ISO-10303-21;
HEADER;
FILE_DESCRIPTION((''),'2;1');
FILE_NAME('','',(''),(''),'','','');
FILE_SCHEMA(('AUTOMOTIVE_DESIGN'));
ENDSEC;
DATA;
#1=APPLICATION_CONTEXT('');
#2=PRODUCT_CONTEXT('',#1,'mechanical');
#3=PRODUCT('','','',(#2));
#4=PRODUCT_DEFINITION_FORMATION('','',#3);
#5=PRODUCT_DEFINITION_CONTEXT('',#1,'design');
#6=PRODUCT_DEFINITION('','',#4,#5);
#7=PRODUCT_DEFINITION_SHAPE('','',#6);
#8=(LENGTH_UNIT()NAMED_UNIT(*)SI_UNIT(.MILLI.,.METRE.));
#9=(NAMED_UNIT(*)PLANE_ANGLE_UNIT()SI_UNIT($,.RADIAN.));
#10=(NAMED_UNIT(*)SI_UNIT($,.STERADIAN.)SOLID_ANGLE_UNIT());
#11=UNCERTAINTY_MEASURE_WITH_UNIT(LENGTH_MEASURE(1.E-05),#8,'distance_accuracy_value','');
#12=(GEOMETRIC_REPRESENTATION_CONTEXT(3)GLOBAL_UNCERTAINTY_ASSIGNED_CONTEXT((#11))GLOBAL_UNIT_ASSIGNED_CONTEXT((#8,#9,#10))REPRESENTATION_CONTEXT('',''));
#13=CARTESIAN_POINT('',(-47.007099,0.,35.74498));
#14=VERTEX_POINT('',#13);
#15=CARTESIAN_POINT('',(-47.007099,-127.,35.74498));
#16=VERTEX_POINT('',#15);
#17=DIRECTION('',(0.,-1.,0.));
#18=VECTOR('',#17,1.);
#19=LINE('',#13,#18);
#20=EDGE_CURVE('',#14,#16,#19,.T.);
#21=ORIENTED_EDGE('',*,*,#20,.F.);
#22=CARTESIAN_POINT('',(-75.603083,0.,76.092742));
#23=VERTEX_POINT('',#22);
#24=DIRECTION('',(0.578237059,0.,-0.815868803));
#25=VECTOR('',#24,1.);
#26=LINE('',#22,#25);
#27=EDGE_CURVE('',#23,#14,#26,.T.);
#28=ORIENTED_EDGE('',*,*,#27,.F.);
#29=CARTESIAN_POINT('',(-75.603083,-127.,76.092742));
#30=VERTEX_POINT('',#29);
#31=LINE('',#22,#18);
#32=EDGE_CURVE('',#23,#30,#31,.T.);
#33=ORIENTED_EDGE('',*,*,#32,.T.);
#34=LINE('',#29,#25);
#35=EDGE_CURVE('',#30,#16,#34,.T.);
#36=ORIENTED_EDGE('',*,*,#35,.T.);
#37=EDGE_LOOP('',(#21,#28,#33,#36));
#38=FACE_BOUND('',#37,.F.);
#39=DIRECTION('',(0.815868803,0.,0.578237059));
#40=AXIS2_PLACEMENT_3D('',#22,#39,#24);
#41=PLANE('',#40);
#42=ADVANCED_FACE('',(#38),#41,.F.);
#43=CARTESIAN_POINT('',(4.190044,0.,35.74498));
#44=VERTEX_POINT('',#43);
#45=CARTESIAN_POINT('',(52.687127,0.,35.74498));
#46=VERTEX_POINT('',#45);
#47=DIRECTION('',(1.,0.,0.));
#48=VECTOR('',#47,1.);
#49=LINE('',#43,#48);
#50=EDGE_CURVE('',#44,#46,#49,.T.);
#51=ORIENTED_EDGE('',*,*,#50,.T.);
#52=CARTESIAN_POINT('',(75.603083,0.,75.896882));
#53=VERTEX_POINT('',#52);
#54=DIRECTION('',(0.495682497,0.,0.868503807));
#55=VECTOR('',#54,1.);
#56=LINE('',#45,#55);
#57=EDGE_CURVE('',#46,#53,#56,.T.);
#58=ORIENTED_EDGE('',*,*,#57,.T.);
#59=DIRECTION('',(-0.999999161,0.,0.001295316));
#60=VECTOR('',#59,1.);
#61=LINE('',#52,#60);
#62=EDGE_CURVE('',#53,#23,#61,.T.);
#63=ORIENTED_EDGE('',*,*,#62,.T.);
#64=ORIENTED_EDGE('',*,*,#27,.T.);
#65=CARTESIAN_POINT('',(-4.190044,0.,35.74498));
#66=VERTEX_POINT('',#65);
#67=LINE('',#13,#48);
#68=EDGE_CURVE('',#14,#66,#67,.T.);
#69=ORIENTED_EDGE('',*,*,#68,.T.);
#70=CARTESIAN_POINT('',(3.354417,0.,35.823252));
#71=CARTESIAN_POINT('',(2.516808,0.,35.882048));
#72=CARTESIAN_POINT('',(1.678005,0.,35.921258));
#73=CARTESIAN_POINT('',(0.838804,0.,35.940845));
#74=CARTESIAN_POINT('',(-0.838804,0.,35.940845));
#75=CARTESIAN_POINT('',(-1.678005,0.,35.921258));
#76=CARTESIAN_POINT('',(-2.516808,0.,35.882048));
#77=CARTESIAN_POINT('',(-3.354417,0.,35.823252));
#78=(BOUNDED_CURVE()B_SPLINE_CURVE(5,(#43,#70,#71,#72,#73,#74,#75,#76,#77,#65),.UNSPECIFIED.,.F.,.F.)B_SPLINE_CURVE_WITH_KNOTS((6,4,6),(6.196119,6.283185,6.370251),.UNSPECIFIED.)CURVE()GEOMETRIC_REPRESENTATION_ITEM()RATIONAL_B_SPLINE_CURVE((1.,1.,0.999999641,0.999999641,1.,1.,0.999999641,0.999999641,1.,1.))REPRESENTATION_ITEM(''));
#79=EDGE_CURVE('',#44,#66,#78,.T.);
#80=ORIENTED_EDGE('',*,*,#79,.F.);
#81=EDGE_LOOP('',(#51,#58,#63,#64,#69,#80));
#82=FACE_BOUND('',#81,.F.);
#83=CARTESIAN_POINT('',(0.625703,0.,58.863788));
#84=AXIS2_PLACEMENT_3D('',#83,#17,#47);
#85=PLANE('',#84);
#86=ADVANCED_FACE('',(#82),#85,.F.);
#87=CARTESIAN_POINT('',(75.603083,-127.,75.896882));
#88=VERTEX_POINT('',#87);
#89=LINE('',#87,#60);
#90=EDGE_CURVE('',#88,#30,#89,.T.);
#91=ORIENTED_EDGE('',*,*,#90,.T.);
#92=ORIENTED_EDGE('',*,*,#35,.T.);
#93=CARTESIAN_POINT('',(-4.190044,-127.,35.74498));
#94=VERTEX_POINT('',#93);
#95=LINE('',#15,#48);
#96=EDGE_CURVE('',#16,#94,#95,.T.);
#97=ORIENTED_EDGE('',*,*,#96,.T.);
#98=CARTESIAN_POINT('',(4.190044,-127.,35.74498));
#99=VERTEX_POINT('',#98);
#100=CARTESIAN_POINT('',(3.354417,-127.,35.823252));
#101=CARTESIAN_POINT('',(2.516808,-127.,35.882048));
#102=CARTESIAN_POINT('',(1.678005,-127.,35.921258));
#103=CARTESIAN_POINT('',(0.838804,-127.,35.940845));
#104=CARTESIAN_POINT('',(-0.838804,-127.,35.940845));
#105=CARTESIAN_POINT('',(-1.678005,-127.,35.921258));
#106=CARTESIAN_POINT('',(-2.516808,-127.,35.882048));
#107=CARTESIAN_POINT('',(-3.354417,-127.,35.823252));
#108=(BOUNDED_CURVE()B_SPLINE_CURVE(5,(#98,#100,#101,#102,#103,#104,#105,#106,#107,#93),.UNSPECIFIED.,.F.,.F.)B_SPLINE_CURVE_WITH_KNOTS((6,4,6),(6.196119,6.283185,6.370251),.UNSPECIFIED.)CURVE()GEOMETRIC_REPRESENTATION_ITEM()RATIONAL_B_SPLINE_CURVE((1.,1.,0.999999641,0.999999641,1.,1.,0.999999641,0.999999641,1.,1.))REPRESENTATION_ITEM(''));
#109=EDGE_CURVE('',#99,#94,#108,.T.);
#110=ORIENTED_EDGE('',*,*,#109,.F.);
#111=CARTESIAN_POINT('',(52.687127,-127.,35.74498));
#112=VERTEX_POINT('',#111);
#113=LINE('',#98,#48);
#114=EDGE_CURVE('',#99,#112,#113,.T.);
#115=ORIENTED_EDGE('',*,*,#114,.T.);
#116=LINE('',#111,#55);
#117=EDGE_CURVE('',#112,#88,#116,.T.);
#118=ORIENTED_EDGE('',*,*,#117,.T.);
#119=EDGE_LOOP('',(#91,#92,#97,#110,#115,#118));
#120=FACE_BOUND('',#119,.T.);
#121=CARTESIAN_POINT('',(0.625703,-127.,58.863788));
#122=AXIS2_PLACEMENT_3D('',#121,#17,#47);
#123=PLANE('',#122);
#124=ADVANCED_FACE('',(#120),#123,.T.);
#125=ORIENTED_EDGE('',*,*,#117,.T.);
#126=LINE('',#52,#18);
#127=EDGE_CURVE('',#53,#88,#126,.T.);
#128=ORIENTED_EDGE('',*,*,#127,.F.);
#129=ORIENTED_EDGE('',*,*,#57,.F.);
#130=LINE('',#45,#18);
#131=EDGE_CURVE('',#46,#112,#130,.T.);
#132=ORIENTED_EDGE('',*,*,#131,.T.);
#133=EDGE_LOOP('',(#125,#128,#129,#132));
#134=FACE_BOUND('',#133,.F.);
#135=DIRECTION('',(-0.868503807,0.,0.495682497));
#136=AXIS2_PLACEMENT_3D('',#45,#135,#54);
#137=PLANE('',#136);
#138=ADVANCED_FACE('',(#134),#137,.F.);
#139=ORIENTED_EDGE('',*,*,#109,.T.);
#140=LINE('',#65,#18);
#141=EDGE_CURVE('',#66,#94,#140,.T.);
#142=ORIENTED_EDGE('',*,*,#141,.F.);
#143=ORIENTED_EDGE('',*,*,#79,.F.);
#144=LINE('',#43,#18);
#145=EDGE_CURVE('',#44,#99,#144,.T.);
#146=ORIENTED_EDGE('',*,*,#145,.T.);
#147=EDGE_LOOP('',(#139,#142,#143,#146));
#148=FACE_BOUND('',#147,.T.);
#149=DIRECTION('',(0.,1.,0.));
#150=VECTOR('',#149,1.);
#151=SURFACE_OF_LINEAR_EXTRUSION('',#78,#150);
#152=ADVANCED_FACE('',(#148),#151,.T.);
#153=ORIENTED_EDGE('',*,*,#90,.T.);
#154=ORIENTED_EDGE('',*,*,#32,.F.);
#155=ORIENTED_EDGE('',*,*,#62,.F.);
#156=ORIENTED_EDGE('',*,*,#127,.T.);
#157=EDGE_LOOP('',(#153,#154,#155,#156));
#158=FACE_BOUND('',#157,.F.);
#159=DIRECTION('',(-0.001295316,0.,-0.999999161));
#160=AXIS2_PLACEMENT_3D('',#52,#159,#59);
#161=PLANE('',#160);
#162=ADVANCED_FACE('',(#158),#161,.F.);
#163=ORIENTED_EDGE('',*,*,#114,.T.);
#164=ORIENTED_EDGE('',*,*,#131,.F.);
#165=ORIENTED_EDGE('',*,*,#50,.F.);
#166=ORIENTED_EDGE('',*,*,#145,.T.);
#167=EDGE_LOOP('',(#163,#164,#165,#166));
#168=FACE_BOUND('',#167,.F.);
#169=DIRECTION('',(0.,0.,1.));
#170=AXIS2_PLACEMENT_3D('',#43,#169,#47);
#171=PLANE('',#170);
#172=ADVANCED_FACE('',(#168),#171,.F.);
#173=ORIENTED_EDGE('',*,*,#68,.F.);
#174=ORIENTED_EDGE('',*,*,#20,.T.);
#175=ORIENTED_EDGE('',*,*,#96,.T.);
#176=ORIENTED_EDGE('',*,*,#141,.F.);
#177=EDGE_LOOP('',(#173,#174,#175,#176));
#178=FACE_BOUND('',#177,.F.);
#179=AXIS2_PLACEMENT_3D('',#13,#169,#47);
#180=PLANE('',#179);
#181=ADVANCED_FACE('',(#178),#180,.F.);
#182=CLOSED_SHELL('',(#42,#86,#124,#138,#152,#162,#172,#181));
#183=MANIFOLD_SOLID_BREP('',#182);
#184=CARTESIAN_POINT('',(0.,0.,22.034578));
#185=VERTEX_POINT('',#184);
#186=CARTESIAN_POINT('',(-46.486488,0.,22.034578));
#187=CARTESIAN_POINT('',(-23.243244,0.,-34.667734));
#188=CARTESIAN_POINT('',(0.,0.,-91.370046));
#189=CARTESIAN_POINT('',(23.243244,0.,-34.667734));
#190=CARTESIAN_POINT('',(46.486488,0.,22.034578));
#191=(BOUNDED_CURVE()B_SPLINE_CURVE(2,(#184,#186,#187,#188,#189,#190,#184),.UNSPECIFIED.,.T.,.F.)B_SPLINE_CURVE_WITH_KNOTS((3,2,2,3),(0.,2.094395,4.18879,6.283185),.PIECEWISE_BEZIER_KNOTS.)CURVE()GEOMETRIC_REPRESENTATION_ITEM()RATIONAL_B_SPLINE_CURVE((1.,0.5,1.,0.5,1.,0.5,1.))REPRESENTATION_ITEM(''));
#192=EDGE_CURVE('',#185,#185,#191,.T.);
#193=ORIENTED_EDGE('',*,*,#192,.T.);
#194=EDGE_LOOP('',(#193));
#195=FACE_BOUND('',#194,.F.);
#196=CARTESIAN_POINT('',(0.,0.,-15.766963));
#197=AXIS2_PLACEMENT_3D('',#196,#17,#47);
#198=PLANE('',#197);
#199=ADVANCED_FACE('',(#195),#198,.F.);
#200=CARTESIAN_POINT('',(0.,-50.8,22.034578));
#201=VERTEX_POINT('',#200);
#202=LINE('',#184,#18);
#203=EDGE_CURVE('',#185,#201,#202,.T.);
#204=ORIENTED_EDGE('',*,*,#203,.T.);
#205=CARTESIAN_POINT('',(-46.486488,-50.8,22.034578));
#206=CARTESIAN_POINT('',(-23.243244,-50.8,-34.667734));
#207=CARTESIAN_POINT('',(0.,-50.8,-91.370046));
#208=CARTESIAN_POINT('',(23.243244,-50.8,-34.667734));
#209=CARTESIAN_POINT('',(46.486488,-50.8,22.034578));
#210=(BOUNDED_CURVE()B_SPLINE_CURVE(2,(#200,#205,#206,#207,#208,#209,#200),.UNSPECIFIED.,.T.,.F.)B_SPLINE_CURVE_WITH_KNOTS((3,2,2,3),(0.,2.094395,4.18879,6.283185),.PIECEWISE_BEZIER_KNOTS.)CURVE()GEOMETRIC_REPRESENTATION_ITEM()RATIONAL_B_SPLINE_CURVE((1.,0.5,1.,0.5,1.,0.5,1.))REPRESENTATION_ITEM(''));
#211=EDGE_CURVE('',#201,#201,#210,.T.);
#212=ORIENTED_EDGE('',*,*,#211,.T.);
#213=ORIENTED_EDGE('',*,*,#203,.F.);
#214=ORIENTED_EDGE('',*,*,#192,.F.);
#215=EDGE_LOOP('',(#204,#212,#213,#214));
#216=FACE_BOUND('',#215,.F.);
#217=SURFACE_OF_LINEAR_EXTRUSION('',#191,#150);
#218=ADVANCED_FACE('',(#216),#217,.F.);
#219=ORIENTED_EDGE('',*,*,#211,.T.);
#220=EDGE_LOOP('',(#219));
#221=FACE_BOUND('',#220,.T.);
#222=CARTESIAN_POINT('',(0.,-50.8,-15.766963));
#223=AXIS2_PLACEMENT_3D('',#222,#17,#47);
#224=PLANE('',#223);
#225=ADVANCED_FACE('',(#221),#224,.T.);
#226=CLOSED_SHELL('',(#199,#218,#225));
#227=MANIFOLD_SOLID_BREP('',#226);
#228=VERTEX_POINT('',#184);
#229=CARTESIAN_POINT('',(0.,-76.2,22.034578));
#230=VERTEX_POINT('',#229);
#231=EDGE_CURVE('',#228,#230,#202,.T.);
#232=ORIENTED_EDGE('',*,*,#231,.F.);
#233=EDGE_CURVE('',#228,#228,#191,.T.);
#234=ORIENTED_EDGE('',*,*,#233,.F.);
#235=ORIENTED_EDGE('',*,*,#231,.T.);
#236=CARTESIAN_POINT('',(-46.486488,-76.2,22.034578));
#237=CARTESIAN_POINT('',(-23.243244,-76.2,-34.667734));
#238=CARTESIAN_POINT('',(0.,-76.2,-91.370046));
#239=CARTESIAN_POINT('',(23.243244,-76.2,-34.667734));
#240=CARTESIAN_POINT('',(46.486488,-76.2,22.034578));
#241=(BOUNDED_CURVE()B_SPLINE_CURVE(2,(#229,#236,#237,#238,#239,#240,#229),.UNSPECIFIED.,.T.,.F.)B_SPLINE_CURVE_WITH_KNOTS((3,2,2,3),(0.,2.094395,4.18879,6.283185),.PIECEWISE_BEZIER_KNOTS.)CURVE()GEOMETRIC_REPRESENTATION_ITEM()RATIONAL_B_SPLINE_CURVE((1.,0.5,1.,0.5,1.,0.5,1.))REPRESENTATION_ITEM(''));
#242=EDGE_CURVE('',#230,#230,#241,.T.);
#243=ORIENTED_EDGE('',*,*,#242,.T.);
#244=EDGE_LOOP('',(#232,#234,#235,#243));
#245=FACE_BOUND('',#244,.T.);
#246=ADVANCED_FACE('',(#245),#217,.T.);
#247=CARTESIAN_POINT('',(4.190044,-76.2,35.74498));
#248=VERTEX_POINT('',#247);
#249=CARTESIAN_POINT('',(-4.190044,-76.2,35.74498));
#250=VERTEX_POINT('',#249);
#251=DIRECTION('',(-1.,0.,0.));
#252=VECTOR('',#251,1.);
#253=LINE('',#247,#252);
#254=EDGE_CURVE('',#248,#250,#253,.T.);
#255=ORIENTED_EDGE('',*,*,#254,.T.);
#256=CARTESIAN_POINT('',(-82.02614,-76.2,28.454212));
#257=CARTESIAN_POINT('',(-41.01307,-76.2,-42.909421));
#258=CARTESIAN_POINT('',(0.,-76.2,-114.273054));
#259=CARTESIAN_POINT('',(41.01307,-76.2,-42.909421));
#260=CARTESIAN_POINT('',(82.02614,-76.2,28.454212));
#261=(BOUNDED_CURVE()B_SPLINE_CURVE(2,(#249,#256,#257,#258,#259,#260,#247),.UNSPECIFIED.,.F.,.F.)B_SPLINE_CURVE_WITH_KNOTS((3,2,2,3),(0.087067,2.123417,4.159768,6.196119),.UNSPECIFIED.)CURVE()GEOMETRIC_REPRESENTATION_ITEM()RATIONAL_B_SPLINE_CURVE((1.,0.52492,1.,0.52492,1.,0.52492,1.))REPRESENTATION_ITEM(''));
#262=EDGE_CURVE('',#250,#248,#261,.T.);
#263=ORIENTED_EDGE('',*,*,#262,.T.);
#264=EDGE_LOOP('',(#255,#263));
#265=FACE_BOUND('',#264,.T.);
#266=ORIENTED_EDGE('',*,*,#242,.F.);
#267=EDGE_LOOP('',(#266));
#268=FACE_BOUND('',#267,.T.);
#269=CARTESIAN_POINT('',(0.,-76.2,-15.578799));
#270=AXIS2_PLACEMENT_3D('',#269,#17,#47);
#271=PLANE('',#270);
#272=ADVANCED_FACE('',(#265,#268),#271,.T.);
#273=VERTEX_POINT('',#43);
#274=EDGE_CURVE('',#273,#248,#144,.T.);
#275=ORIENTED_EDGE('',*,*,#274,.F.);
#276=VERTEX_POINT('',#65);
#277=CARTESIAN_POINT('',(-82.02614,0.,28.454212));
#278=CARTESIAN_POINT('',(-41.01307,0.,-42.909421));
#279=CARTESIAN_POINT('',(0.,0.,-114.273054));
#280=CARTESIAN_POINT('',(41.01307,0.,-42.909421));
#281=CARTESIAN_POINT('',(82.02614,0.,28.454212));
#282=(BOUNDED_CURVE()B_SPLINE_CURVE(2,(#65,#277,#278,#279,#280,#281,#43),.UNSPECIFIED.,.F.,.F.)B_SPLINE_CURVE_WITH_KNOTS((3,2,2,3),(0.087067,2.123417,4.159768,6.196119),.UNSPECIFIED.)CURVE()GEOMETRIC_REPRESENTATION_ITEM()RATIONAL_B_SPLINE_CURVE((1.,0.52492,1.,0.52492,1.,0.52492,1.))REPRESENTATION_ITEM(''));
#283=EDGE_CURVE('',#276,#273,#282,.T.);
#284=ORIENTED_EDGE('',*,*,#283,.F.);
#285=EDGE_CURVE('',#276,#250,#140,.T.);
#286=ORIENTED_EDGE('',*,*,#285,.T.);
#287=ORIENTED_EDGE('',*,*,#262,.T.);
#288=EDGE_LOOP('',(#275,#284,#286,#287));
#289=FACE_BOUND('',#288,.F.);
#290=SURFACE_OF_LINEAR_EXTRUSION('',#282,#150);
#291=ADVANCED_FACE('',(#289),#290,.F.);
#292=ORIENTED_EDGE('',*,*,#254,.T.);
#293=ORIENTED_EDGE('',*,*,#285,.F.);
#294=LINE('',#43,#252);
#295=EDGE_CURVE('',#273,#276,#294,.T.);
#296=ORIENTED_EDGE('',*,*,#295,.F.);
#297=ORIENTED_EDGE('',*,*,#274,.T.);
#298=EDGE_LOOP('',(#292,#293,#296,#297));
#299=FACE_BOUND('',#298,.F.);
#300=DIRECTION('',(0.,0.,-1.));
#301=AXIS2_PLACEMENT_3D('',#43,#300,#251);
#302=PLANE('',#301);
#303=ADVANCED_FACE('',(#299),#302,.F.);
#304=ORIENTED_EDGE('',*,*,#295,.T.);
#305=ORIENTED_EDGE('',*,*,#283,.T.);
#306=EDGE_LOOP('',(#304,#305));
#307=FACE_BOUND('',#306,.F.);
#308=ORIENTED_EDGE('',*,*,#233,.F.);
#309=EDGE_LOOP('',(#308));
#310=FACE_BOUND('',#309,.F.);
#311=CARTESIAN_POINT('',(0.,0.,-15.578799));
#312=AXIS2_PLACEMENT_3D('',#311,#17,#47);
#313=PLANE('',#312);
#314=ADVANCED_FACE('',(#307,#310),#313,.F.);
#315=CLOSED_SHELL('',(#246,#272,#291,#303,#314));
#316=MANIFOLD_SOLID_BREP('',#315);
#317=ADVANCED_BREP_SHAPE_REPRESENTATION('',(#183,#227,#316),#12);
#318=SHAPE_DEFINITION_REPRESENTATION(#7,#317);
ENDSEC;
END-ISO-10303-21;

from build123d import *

# Parameters (mm, degrees)
F1_DEPTH = 127
F2_DEPTH = 50.8
F3_DEPTH = 76.2


with BuildPart() as f1:
    # F0 (on Front) → F1 (new body)
    with BuildSketch(Plane.XZ):
        with BuildLine():
            Line((52.687127, 35.74498), (75.603083, 75.896882))
            Line((75.603083, 75.896882), (-75.603083, 76.092742))
            Line((-75.603083, 76.092742), (-47.007099, 35.74498))
            Line((-47.007099, 35.74498), (-4.190044, 35.74498))
            add(Edge.make_bspline(
                [(0, 35.940845), (-2.098997, 35.940845), (-4.190044, 35.74498)],
                knots=[0, 0, 0, 0.087067, 0.087067, 0.087067], degree=2, weights=[1, 0.999053, 1]))
            add(Edge.make_bspline(
                [(4.190044, 35.74498), (2.098997, 35.940845), (0, 35.940845)],
                knots=[6.196119, 6.196119, 6.196119, 6.283185, 6.283185, 6.283185], degree=2, weights=[1, 0.999053, 1]))
            Line((4.190044, 35.74498), (52.687127, 35.74498))
        make_face()
    extrude(amount=F1_DEPTH)


with BuildPart() as f2:
    # F0 (on Front) → F2 (new body)
    with BuildSketch(Plane.XZ):
        with BuildLine():
            add(Edge.make_bspline(
                [(0, 22.034578), (-46.486488, 22.034578), (-23.243244, -34.667734), (0, -91.370046), (23.243244, -34.667734), (46.486488, 22.034578), (0, 22.034578)],
                knots=[0, 0, 0, 2.094395, 2.094395, 4.18879, 4.18879, 6.283185, 6.283185, 6.283185], degree=2, weights=[1, 0.5, 1, 0.5, 1, 0.5, 1]))
        make_face()
    extrude(amount=F2_DEPTH)


with BuildPart() as f3:
    # F0 (on Front) → F3 (new body)
    with BuildSketch(Plane.XZ):
        with BuildLine():
            add(Edge.make_bspline(
                [(-4.190044, 35.74498), (-82.02614, 28.454212), (-41.01307, -42.909421), (0, -114.273054), (41.01307, -42.909421), (82.02614, 28.454212), (4.190044, 35.74498)],
                knots=[0.087067, 0.087067, 0.087067, 2.123417, 2.123417, 4.159768, 4.159768, 6.196119, 6.196119, 6.196119], degree=2, weights=[1, 0.52492, 1, 0.52492, 1, 0.52492, 1]))
            Line((4.190044, 35.74498), (-4.190044, 35.74498))
        make_face()
        with BuildLine():
            add(Edge.make_bspline(
                [(0, 22.034578), (-46.486488, 22.034578), (-23.243244, -34.667734), (0, -91.370046), (23.243244, -34.667734), (46.486488, 22.034578), (0, 22.034578)],
                knots=[0, 0, 0, 2.094395, 2.094395, 4.18879, 4.18879, 6.283185, 6.283185, 6.283185], degree=2, weights=[1, 0.5, 1, 0.5, 1, 0.5, 1]))
        make_face(mode=Mode.SUBTRACT)
    extrude(amount=F3_DEPTH)


solid = Compound([f1.part, f2.part, f3.part])
